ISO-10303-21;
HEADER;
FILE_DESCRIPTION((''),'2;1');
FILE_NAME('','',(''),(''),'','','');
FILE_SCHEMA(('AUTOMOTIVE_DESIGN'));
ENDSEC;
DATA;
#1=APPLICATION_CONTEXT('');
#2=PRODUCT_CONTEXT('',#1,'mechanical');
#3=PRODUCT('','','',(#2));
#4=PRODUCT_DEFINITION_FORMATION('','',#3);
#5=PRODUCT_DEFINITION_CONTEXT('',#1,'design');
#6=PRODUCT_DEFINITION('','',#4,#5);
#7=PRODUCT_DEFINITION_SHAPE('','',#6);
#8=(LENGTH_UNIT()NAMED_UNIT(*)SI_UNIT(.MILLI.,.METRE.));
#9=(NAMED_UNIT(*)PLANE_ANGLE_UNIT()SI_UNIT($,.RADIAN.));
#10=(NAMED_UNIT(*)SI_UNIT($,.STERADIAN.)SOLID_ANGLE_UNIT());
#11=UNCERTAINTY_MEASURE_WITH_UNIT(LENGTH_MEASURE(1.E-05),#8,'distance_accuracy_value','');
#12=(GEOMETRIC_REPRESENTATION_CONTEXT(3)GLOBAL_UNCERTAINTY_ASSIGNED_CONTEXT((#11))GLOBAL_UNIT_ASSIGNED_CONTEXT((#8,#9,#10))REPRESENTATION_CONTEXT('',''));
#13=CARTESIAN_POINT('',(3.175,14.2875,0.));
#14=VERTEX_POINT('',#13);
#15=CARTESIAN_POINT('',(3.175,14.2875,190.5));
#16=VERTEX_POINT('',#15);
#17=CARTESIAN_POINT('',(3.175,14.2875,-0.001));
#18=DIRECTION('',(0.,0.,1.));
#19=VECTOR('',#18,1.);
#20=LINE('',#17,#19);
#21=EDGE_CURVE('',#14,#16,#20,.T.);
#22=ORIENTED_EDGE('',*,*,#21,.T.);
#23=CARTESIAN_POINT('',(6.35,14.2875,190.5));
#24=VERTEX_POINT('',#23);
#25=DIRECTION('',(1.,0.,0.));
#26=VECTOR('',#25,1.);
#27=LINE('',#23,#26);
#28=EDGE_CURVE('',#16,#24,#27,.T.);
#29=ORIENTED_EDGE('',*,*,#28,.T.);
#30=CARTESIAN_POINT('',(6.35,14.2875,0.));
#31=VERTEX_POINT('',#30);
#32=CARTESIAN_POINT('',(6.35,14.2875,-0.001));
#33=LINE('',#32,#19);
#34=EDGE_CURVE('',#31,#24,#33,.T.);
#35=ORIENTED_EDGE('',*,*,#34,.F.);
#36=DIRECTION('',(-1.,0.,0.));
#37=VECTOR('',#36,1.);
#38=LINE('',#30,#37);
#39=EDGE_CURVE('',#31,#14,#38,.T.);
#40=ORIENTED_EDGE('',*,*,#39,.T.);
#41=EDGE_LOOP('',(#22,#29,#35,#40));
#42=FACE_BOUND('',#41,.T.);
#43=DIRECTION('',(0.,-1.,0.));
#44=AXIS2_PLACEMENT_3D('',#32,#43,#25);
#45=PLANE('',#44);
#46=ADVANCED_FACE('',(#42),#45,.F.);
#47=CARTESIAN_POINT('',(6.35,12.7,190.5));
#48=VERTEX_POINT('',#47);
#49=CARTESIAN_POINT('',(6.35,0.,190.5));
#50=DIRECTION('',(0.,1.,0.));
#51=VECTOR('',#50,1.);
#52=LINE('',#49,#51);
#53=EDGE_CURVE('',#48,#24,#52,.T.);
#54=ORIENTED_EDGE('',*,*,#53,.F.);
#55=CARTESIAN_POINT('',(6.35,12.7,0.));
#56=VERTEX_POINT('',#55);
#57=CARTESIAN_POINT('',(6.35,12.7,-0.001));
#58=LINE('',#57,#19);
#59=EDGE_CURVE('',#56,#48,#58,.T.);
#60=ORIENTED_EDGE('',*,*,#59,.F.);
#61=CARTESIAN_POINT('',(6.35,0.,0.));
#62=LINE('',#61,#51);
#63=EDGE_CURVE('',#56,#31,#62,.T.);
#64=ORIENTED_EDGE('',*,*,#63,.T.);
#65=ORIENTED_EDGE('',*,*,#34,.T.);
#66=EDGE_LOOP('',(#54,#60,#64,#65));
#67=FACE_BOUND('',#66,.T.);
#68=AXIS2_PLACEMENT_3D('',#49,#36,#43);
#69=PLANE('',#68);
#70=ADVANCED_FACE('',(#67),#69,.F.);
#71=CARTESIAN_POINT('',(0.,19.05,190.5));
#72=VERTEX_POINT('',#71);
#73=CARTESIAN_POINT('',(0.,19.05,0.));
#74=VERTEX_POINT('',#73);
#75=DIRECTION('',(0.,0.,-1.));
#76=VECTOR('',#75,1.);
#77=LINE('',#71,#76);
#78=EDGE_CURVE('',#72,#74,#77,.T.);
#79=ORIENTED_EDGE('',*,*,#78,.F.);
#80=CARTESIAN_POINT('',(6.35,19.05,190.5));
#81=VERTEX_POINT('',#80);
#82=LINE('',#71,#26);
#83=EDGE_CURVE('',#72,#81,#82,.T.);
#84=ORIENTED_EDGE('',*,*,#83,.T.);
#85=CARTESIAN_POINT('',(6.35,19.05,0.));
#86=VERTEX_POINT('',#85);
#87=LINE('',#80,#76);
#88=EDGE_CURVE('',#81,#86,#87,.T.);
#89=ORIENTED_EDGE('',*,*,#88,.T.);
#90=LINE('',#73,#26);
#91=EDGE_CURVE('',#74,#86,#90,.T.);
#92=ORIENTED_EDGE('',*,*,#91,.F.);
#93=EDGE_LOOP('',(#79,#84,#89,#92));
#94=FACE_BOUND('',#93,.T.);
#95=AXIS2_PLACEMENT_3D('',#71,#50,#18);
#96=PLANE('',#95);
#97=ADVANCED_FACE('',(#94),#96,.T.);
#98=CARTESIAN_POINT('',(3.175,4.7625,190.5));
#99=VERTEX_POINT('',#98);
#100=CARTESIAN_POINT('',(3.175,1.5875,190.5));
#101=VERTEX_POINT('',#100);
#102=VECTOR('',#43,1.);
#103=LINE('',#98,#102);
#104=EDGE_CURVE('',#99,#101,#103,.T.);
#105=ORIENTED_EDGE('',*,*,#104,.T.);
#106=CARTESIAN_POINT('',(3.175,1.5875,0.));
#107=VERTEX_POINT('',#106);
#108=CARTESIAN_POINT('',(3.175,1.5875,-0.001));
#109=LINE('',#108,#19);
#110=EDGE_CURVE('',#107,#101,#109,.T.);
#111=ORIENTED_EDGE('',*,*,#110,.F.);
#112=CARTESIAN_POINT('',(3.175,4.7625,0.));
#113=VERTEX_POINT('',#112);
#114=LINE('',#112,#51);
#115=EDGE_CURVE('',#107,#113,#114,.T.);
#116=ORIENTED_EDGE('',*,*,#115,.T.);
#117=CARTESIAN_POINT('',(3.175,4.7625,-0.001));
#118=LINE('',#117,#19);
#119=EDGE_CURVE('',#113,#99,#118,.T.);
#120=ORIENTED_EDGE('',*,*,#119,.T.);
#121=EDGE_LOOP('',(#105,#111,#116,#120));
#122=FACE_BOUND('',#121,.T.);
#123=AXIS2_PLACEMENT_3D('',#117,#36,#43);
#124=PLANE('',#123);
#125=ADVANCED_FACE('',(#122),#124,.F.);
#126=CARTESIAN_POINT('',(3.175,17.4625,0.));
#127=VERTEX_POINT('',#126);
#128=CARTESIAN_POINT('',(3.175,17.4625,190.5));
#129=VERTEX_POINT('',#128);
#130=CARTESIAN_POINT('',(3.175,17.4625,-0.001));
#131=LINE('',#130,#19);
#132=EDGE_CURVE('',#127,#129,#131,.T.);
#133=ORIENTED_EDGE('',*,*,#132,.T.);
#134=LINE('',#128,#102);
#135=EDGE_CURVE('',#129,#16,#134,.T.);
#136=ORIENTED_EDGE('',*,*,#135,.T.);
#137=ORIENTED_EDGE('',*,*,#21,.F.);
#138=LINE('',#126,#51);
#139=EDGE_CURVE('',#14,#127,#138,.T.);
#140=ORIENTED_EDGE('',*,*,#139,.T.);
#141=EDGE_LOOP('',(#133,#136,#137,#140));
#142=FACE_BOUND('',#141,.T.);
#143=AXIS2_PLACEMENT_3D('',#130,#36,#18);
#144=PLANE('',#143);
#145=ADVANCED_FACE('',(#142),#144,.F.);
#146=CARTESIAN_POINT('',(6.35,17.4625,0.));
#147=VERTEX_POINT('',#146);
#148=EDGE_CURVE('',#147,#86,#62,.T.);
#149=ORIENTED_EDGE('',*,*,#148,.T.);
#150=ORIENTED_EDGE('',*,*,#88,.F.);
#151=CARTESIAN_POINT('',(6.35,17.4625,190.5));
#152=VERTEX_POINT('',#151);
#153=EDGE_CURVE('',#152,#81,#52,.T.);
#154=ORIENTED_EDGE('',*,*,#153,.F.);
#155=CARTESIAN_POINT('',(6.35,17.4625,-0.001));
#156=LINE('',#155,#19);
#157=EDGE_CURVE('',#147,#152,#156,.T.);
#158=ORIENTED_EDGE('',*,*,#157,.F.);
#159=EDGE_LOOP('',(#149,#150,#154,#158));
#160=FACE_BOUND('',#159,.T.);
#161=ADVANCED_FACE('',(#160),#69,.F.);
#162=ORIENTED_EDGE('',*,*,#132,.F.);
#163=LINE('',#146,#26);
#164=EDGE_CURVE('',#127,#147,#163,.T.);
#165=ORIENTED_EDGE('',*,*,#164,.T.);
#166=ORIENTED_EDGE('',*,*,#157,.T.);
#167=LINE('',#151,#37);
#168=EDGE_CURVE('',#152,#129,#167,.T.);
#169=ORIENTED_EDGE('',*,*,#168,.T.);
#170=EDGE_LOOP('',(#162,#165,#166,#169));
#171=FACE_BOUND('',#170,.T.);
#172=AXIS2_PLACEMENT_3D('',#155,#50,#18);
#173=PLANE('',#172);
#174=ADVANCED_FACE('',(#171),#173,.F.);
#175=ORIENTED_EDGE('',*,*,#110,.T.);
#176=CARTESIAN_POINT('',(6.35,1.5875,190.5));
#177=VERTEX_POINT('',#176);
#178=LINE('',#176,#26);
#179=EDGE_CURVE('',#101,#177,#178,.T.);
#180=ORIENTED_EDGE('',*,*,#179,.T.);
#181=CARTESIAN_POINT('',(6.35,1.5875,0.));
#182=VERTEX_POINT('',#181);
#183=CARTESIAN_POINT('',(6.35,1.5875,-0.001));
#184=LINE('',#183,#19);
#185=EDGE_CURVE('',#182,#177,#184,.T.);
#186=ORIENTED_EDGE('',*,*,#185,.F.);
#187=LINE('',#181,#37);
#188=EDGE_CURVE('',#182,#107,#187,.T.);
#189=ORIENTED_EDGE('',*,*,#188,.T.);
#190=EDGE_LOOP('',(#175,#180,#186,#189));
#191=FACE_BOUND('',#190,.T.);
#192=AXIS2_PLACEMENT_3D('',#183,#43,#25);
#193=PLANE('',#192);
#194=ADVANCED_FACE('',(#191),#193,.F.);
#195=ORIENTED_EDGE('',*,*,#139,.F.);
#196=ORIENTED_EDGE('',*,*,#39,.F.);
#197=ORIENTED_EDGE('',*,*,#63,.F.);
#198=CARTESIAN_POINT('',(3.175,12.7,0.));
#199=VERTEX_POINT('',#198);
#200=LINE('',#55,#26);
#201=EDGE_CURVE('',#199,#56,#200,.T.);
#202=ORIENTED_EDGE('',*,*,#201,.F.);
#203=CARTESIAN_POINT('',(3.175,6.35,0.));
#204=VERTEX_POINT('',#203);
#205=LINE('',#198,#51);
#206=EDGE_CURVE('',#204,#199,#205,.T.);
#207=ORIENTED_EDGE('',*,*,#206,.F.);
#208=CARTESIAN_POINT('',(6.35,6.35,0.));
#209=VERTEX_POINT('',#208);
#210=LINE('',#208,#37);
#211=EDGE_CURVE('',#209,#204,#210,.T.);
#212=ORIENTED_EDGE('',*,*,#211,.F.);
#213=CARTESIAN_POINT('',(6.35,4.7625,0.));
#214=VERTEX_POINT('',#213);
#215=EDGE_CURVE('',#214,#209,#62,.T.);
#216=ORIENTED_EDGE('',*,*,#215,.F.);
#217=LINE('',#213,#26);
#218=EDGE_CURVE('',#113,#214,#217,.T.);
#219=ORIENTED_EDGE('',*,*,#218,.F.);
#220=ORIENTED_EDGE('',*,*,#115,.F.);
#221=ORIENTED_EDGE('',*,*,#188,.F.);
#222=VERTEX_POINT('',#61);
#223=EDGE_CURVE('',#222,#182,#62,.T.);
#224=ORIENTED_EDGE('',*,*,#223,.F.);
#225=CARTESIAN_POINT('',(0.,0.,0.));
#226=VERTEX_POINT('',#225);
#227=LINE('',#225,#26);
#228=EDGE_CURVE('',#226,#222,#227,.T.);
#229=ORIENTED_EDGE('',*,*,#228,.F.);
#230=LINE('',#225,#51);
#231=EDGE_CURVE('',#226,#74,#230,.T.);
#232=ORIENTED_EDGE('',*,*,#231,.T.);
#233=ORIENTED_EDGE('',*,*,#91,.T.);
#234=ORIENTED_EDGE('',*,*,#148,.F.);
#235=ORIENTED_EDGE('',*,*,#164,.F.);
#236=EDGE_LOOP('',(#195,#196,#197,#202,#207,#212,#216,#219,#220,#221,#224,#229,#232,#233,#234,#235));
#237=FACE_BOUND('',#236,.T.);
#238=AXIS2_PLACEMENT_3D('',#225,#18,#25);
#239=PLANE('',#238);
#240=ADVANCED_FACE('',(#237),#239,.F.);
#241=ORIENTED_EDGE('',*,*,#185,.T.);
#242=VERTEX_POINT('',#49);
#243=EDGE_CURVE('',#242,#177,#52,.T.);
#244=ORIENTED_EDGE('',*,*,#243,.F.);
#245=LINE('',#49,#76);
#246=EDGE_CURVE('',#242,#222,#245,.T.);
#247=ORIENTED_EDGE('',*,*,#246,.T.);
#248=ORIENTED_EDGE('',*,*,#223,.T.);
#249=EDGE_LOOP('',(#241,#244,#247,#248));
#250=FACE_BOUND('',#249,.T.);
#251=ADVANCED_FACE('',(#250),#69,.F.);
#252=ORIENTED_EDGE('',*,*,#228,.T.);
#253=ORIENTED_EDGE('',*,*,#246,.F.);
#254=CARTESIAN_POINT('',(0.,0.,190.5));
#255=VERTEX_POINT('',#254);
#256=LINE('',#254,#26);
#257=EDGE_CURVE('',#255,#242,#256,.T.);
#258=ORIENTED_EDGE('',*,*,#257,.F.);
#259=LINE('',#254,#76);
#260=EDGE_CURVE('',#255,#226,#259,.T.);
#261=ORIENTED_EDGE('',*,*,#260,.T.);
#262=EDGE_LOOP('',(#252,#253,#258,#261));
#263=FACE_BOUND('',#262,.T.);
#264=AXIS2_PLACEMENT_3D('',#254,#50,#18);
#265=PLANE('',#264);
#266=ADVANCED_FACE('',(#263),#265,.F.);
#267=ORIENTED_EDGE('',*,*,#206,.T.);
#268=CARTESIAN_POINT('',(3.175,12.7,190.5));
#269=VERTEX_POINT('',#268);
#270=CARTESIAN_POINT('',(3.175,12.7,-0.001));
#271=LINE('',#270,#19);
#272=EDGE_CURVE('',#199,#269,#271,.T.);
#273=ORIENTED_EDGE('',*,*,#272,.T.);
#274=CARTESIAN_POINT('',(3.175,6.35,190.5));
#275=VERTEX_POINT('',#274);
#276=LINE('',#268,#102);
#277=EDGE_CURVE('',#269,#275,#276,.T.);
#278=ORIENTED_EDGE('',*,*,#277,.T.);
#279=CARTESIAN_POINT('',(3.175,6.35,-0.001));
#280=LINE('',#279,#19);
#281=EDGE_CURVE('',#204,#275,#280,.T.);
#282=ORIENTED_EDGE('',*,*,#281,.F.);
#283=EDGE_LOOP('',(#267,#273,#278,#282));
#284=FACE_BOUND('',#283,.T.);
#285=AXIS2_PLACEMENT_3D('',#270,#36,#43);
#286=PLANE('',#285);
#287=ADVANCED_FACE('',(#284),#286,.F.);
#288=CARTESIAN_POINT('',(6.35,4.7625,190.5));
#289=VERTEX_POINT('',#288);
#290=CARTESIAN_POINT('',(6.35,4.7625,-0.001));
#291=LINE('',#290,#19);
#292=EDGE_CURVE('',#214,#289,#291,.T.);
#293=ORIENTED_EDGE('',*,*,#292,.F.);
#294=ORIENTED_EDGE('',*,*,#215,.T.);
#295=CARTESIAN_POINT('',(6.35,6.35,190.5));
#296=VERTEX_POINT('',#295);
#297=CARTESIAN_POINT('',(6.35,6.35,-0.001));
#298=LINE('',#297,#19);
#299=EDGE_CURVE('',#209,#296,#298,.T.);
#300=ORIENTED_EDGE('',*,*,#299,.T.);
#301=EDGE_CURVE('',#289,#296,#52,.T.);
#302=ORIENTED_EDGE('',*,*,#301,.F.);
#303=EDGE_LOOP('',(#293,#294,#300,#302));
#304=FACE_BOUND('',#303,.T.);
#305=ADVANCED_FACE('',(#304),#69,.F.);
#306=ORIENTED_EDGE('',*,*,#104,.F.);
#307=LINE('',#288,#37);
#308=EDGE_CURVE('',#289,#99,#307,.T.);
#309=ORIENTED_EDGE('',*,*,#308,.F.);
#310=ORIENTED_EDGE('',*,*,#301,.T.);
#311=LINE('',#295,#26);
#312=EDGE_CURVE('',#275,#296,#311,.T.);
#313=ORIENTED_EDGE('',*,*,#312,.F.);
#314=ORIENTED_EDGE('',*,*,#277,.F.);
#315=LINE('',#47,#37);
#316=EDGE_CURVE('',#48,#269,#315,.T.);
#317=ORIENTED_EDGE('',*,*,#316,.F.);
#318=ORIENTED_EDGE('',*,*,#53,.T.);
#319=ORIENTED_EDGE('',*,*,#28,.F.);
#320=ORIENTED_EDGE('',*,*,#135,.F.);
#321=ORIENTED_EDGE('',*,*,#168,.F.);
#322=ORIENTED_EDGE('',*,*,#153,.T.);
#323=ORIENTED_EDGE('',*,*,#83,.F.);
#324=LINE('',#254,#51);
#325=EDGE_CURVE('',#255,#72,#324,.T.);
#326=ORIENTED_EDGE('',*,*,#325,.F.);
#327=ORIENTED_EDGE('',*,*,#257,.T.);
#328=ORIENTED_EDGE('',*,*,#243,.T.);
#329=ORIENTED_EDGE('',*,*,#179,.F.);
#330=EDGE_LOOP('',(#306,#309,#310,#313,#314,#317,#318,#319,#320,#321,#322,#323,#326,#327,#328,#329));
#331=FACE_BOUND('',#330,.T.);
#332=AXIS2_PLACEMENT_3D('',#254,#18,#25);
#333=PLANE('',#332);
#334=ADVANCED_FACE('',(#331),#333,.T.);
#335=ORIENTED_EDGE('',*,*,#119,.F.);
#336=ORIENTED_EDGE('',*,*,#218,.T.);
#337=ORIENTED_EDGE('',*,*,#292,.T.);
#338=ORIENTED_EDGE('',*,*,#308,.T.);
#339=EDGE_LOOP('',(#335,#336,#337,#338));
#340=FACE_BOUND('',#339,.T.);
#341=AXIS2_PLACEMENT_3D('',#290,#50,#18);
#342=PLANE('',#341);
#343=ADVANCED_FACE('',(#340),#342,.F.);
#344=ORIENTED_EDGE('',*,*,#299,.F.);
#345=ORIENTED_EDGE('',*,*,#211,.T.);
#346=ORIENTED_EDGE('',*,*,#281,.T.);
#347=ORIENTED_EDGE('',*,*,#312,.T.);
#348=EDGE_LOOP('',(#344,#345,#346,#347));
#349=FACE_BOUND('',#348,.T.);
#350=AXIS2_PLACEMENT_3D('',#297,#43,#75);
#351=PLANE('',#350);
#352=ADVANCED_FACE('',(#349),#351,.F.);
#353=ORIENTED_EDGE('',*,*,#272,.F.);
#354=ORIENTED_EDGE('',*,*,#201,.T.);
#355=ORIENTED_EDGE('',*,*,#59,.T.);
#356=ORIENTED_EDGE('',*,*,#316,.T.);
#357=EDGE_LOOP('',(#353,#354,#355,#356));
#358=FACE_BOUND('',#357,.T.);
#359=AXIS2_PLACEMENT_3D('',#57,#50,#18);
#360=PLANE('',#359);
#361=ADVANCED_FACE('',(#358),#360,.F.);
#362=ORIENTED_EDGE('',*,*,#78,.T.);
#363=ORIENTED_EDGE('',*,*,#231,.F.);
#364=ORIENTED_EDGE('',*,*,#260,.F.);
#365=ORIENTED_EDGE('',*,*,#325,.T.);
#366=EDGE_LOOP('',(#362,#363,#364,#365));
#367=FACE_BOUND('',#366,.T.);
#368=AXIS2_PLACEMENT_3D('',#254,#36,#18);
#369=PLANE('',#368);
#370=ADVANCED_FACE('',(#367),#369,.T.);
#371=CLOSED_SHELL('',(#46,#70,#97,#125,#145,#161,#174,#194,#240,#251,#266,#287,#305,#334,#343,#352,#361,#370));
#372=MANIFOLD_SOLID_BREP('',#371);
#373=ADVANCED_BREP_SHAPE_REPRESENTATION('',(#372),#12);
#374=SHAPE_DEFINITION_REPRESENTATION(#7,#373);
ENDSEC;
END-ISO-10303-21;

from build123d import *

# Parameters (mm, degrees)
SKETCH1_W           = 6.35
SKETCH1_H           = 19.05
BOSS_EXTRUDE1_DEPTH = 190.5
CUT_EXTRUDE2_REACH  = 193.555
SKETCH3_W           = 3.175
SKETCH3_H           = 6.35
SKETCH3_H_2         = 3.175


with BuildPart() as part:
    # Sketch1 → Boss-Extrude1 (new body)
    with BuildSketch(Plane.XY):
        with Locations((3.175, 9.525)):
            Rectangle(SKETCH1_W, SKETCH1_H)
    extrude(amount=BOSS_EXTRUDE1_DEPTH)

    # Sketch3 → Cut-Extrude2 (cut, up to next)
    with BuildSketch(Plane.XY.offset(190.5), mode=Mode.PRIVATE) as cut_extrude2_sk1:
        with Locations((4.7625, 9.525)):
            Rectangle(SKETCH3_W, SKETCH3_H)
    cut_extrude2_tool1 = extrude(cut_extrude2_sk1.sketch, amount=-CUT_EXTRUDE2_REACH, mode=Mode.PRIVATE) & part.part
    # Sketch3 → Cut-Extrude2 (cut, up to next)
    with BuildSketch(Plane.XY.offset(190.5), mode=Mode.PRIVATE) as cut_extrude2_sk2:
        with Locations((4.7625, 15.875)):
            Rectangle(SKETCH3_W, SKETCH3_H_2)
    cut_extrude2_tool2 = extrude(cut_extrude2_sk2.sketch, amount=-CUT_EXTRUDE2_REACH, mode=Mode.PRIVATE) & part.part
    # Sketch3 → Cut-Extrude2 (cut, up to next)
    with BuildSketch(Plane.XY.offset(190.5), mode=Mode.PRIVATE) as cut_extrude2_sk3:
        with Locations((4.7625, 3.175)):
            Rectangle(SKETCH3_W, SKETCH3_H_2)
    cut_extrude2_tool3 = extrude(cut_extrude2_sk3.sketch, amount=-CUT_EXTRUDE2_REACH, mode=Mode.PRIVATE) & part.part
    add(cut_extrude2_tool1.solids().sort_by_distance((4.7625, 9.525, 190.5))[0], mode=Mode.SUBTRACT)
    add(cut_extrude2_tool2.solids().sort_by_distance((4.7625, 15.875, 190.5))[0], mode=Mode.SUBTRACT)
    add(cut_extrude2_tool3.solids().sort_by_distance((4.7625, 3.175, 190.5))[0], mode=Mode.SUBTRACT)


solid = part.part
